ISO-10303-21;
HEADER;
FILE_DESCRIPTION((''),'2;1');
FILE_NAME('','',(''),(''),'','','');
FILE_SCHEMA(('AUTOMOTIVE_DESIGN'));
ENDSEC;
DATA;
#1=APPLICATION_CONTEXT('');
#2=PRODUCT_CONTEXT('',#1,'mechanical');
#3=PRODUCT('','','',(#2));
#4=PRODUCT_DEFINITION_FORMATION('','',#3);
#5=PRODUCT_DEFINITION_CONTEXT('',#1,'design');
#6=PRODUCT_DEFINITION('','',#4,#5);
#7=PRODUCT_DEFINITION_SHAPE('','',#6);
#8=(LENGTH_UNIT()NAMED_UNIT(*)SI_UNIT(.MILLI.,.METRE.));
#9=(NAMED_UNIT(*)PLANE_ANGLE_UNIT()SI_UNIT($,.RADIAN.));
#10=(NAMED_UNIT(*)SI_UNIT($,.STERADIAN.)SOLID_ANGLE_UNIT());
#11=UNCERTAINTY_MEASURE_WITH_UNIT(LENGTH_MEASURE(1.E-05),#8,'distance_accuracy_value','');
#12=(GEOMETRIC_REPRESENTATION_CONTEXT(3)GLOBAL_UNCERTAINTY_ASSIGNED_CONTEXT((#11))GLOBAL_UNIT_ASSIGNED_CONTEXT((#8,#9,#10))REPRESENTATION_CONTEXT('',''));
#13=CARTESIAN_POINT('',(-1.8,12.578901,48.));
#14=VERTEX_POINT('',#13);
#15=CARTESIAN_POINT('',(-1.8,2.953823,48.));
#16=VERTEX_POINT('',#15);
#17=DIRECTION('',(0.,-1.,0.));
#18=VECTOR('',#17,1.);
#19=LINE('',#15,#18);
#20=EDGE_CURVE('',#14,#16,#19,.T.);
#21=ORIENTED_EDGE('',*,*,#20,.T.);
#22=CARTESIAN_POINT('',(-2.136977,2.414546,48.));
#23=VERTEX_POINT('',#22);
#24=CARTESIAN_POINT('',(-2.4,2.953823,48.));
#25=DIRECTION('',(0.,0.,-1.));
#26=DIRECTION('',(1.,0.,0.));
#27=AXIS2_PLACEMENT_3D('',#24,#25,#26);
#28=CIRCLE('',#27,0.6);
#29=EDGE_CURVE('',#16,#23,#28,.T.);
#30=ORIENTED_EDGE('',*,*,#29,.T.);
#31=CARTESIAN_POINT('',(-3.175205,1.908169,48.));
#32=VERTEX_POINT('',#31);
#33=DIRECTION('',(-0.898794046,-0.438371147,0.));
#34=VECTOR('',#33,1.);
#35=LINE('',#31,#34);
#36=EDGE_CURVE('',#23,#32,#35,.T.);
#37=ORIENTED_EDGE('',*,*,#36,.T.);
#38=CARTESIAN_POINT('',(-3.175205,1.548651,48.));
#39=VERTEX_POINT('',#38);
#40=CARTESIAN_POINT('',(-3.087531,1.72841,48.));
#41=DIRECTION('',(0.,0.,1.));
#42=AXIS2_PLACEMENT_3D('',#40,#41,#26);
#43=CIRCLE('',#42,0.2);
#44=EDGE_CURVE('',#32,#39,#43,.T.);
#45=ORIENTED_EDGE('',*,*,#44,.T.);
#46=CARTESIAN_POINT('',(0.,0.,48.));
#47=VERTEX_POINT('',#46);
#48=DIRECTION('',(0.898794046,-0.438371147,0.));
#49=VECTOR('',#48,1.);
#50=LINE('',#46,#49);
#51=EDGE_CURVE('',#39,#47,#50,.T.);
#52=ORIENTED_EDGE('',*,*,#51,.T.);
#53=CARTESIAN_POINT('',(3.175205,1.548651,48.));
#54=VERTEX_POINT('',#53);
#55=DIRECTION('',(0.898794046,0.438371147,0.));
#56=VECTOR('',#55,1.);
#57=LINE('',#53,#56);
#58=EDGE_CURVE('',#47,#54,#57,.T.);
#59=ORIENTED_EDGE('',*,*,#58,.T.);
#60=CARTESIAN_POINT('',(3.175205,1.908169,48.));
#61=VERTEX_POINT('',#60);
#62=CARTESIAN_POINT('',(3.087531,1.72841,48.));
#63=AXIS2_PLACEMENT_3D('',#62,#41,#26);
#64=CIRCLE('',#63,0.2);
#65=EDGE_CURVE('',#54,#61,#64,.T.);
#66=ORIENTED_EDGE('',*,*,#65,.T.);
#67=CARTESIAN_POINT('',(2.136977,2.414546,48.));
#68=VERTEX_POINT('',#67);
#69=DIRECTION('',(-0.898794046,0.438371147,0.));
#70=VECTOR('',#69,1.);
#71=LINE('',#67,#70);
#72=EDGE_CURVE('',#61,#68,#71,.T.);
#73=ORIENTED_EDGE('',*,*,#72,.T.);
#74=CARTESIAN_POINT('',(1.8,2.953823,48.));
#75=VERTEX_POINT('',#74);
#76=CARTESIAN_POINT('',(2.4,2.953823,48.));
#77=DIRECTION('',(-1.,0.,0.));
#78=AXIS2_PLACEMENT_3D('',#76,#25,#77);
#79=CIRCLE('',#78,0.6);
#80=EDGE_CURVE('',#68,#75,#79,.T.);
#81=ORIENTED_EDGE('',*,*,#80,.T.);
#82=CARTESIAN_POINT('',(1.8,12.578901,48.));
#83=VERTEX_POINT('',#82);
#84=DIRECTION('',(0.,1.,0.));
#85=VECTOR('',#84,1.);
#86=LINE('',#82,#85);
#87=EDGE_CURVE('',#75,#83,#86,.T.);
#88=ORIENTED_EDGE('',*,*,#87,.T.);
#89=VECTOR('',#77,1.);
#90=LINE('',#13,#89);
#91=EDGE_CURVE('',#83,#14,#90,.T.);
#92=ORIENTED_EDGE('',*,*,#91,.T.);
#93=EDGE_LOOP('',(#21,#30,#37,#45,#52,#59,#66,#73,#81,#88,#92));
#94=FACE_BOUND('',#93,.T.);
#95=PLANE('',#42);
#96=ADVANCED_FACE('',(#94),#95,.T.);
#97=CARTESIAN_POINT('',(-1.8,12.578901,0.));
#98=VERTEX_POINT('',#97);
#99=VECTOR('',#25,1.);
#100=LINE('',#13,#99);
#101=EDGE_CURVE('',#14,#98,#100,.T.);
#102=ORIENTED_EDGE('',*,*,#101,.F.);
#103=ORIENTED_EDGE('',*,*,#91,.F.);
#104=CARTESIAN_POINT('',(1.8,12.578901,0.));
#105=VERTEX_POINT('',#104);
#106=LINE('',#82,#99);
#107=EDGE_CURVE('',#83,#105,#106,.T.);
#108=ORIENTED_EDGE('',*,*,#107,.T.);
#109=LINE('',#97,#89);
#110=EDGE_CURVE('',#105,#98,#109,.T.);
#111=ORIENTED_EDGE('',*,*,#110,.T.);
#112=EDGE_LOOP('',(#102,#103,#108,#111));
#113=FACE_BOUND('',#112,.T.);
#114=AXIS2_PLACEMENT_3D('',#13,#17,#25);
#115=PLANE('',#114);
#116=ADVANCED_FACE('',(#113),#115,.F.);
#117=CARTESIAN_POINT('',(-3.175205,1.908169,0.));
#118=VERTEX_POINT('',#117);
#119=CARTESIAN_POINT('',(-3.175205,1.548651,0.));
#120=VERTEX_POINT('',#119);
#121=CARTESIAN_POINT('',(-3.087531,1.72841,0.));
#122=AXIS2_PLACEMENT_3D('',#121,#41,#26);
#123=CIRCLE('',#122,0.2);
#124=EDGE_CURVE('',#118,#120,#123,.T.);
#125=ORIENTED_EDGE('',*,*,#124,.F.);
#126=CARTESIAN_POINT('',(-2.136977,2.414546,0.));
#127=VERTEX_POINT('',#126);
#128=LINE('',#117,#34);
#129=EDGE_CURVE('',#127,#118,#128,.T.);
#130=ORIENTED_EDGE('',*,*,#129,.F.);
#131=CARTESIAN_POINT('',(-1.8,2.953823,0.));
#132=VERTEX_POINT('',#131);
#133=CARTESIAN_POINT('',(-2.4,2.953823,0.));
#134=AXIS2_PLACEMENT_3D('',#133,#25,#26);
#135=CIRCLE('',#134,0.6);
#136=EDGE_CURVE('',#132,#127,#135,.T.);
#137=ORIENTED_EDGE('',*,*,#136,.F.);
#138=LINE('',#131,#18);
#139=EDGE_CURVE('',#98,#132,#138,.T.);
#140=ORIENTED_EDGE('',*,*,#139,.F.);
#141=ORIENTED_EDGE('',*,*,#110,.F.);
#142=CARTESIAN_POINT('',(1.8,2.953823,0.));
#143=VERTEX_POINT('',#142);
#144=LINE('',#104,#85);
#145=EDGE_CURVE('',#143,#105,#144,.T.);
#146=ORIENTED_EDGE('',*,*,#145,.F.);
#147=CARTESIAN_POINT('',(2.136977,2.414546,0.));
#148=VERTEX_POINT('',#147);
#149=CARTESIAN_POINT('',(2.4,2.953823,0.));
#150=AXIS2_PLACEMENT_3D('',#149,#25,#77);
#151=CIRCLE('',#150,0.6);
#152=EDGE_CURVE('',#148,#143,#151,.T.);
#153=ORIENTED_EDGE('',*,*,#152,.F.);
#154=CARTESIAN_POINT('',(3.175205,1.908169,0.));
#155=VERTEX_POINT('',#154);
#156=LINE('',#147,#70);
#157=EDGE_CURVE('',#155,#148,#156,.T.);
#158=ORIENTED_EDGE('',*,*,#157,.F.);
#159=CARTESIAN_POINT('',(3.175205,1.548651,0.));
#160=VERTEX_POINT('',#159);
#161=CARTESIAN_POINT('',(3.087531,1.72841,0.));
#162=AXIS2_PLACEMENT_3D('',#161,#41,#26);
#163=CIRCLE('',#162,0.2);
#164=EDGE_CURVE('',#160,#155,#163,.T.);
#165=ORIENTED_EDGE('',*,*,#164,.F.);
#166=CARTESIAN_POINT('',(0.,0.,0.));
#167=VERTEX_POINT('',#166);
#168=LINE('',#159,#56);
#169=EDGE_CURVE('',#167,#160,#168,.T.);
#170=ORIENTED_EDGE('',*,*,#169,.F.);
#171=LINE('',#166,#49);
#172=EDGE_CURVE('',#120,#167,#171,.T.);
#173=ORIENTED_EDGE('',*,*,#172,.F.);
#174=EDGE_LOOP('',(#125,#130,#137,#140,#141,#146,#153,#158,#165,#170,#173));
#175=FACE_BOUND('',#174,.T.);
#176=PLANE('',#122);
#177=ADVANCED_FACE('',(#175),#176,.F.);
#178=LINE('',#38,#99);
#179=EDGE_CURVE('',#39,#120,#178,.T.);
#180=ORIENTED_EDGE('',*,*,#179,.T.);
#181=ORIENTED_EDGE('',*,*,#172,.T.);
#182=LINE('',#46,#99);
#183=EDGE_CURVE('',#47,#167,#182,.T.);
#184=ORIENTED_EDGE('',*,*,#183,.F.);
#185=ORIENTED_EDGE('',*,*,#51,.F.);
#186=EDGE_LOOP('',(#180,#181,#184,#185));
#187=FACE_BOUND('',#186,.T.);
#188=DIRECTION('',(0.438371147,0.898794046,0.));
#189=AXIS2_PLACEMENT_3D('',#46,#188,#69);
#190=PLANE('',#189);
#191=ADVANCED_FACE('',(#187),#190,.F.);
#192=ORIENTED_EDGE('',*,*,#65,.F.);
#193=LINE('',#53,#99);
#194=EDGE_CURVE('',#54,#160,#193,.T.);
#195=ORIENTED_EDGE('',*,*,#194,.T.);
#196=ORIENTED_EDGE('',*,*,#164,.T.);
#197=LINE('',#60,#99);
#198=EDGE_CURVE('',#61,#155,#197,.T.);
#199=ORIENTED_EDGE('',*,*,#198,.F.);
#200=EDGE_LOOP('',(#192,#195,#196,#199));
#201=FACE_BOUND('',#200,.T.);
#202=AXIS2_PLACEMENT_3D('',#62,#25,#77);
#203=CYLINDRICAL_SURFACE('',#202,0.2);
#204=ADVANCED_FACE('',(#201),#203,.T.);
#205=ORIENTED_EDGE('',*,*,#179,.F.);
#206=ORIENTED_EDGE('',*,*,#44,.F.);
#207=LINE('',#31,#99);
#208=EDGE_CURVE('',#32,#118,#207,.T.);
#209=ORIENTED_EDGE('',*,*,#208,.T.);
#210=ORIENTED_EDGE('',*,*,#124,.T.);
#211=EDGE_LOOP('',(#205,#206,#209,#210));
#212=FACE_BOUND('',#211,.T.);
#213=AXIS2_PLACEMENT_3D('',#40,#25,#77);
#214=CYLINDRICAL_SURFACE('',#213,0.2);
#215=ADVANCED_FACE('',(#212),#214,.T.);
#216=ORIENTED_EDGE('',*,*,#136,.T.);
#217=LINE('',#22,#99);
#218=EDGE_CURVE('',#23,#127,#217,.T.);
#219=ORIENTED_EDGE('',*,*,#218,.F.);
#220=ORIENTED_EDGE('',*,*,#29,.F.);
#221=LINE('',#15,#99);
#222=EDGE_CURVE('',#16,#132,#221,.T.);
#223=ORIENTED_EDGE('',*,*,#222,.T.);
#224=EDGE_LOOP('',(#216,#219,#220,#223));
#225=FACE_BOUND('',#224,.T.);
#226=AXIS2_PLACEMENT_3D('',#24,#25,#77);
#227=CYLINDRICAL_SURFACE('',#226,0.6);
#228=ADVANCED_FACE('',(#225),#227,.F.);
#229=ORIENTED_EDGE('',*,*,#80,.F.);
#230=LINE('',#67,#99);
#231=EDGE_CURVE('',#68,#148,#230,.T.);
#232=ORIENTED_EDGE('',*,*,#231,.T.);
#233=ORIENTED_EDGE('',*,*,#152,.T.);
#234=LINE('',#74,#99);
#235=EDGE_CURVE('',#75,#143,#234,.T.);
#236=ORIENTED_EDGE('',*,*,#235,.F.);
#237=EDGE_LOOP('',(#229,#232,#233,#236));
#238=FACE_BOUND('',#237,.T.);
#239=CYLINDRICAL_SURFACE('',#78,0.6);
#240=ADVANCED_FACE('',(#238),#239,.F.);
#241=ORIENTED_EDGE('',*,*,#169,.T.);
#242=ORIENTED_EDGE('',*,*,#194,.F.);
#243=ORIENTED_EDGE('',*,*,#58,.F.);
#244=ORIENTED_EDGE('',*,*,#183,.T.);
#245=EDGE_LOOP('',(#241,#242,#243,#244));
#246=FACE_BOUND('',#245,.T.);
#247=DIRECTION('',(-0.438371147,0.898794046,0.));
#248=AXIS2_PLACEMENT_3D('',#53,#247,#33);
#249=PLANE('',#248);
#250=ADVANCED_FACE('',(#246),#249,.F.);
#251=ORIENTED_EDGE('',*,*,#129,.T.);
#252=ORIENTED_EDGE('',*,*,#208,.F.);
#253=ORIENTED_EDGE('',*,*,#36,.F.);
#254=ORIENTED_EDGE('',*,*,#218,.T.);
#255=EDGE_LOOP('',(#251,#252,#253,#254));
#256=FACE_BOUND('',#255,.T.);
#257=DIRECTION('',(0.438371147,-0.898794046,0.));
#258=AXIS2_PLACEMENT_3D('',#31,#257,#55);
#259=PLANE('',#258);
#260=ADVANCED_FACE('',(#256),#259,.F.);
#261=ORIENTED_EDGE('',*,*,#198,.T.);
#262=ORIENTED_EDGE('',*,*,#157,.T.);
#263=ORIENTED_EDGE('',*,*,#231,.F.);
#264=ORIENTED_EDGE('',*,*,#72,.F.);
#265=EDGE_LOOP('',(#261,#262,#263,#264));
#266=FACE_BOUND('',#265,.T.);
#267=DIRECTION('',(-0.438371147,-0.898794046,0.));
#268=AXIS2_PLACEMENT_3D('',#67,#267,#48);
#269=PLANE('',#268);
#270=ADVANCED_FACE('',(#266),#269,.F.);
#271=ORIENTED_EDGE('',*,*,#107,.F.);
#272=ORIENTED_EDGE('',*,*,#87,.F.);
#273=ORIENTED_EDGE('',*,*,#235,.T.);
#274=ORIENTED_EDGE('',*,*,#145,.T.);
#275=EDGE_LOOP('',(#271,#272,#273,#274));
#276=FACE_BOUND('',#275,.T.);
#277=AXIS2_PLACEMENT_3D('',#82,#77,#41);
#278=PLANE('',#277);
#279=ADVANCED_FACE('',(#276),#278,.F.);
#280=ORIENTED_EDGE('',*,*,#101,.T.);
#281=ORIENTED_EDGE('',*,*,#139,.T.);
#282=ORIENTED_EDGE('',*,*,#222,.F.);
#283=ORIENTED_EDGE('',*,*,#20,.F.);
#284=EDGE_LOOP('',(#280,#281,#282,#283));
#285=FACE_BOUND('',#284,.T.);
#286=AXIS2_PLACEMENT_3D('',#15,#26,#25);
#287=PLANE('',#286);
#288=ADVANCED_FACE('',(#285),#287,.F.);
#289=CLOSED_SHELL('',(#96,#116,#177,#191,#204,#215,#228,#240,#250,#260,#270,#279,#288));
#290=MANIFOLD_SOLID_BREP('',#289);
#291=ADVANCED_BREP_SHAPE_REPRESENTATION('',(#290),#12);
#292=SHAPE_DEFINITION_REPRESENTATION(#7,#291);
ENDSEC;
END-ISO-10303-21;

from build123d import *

# Parameters (mm, degrees)
ESTRUSIONE_ESTRUSIONE1_DEPTH = 48


with BuildPart() as part:
    # Schizzo1 → Estrusione-Estrusione1 (new body)
    with BuildSketch(Plane.XY):
        with BuildLine():
            Line((0, 0), (-3.175204989, 1.548650948))
            ThreePointArc((-3.175204989, 1.548650948), (-3.287530759, 1.728409758), (-3.175204989, 1.908168567))
            Line((-3.175204989, 1.908168567), (-2.136976869, 2.414546255))
            ThreePointArc((-2.136976869, 2.414546255), (-1.891170699, 2.635871124), (-1.799999557, 2.953822683))
            Line((-1.799999557, 2.953822683), (-1.799999557, 12.578901072))
            Line((-1.799999557, 12.578901072), (1.799999557, 12.578901072))
            Line((1.799999557, 12.578901072), (1.799999557, 2.953822683))
            ThreePointArc((1.799999557, 2.953822683), (1.891170699, 2.635871124), (2.136976869, 2.414546255))
            Line((2.136976869, 2.414546255), (3.175204989, 1.908168567))
            ThreePointArc((3.175204989, 1.908168567), (3.287530759, 1.728409758), (3.175204989, 1.548650948))
            Line((3.175204989, 1.548650948), (0, 0))
        make_face()
    extrude(amount=ESTRUSIONE_ESTRUSIONE1_DEPTH)


solid = part.part
